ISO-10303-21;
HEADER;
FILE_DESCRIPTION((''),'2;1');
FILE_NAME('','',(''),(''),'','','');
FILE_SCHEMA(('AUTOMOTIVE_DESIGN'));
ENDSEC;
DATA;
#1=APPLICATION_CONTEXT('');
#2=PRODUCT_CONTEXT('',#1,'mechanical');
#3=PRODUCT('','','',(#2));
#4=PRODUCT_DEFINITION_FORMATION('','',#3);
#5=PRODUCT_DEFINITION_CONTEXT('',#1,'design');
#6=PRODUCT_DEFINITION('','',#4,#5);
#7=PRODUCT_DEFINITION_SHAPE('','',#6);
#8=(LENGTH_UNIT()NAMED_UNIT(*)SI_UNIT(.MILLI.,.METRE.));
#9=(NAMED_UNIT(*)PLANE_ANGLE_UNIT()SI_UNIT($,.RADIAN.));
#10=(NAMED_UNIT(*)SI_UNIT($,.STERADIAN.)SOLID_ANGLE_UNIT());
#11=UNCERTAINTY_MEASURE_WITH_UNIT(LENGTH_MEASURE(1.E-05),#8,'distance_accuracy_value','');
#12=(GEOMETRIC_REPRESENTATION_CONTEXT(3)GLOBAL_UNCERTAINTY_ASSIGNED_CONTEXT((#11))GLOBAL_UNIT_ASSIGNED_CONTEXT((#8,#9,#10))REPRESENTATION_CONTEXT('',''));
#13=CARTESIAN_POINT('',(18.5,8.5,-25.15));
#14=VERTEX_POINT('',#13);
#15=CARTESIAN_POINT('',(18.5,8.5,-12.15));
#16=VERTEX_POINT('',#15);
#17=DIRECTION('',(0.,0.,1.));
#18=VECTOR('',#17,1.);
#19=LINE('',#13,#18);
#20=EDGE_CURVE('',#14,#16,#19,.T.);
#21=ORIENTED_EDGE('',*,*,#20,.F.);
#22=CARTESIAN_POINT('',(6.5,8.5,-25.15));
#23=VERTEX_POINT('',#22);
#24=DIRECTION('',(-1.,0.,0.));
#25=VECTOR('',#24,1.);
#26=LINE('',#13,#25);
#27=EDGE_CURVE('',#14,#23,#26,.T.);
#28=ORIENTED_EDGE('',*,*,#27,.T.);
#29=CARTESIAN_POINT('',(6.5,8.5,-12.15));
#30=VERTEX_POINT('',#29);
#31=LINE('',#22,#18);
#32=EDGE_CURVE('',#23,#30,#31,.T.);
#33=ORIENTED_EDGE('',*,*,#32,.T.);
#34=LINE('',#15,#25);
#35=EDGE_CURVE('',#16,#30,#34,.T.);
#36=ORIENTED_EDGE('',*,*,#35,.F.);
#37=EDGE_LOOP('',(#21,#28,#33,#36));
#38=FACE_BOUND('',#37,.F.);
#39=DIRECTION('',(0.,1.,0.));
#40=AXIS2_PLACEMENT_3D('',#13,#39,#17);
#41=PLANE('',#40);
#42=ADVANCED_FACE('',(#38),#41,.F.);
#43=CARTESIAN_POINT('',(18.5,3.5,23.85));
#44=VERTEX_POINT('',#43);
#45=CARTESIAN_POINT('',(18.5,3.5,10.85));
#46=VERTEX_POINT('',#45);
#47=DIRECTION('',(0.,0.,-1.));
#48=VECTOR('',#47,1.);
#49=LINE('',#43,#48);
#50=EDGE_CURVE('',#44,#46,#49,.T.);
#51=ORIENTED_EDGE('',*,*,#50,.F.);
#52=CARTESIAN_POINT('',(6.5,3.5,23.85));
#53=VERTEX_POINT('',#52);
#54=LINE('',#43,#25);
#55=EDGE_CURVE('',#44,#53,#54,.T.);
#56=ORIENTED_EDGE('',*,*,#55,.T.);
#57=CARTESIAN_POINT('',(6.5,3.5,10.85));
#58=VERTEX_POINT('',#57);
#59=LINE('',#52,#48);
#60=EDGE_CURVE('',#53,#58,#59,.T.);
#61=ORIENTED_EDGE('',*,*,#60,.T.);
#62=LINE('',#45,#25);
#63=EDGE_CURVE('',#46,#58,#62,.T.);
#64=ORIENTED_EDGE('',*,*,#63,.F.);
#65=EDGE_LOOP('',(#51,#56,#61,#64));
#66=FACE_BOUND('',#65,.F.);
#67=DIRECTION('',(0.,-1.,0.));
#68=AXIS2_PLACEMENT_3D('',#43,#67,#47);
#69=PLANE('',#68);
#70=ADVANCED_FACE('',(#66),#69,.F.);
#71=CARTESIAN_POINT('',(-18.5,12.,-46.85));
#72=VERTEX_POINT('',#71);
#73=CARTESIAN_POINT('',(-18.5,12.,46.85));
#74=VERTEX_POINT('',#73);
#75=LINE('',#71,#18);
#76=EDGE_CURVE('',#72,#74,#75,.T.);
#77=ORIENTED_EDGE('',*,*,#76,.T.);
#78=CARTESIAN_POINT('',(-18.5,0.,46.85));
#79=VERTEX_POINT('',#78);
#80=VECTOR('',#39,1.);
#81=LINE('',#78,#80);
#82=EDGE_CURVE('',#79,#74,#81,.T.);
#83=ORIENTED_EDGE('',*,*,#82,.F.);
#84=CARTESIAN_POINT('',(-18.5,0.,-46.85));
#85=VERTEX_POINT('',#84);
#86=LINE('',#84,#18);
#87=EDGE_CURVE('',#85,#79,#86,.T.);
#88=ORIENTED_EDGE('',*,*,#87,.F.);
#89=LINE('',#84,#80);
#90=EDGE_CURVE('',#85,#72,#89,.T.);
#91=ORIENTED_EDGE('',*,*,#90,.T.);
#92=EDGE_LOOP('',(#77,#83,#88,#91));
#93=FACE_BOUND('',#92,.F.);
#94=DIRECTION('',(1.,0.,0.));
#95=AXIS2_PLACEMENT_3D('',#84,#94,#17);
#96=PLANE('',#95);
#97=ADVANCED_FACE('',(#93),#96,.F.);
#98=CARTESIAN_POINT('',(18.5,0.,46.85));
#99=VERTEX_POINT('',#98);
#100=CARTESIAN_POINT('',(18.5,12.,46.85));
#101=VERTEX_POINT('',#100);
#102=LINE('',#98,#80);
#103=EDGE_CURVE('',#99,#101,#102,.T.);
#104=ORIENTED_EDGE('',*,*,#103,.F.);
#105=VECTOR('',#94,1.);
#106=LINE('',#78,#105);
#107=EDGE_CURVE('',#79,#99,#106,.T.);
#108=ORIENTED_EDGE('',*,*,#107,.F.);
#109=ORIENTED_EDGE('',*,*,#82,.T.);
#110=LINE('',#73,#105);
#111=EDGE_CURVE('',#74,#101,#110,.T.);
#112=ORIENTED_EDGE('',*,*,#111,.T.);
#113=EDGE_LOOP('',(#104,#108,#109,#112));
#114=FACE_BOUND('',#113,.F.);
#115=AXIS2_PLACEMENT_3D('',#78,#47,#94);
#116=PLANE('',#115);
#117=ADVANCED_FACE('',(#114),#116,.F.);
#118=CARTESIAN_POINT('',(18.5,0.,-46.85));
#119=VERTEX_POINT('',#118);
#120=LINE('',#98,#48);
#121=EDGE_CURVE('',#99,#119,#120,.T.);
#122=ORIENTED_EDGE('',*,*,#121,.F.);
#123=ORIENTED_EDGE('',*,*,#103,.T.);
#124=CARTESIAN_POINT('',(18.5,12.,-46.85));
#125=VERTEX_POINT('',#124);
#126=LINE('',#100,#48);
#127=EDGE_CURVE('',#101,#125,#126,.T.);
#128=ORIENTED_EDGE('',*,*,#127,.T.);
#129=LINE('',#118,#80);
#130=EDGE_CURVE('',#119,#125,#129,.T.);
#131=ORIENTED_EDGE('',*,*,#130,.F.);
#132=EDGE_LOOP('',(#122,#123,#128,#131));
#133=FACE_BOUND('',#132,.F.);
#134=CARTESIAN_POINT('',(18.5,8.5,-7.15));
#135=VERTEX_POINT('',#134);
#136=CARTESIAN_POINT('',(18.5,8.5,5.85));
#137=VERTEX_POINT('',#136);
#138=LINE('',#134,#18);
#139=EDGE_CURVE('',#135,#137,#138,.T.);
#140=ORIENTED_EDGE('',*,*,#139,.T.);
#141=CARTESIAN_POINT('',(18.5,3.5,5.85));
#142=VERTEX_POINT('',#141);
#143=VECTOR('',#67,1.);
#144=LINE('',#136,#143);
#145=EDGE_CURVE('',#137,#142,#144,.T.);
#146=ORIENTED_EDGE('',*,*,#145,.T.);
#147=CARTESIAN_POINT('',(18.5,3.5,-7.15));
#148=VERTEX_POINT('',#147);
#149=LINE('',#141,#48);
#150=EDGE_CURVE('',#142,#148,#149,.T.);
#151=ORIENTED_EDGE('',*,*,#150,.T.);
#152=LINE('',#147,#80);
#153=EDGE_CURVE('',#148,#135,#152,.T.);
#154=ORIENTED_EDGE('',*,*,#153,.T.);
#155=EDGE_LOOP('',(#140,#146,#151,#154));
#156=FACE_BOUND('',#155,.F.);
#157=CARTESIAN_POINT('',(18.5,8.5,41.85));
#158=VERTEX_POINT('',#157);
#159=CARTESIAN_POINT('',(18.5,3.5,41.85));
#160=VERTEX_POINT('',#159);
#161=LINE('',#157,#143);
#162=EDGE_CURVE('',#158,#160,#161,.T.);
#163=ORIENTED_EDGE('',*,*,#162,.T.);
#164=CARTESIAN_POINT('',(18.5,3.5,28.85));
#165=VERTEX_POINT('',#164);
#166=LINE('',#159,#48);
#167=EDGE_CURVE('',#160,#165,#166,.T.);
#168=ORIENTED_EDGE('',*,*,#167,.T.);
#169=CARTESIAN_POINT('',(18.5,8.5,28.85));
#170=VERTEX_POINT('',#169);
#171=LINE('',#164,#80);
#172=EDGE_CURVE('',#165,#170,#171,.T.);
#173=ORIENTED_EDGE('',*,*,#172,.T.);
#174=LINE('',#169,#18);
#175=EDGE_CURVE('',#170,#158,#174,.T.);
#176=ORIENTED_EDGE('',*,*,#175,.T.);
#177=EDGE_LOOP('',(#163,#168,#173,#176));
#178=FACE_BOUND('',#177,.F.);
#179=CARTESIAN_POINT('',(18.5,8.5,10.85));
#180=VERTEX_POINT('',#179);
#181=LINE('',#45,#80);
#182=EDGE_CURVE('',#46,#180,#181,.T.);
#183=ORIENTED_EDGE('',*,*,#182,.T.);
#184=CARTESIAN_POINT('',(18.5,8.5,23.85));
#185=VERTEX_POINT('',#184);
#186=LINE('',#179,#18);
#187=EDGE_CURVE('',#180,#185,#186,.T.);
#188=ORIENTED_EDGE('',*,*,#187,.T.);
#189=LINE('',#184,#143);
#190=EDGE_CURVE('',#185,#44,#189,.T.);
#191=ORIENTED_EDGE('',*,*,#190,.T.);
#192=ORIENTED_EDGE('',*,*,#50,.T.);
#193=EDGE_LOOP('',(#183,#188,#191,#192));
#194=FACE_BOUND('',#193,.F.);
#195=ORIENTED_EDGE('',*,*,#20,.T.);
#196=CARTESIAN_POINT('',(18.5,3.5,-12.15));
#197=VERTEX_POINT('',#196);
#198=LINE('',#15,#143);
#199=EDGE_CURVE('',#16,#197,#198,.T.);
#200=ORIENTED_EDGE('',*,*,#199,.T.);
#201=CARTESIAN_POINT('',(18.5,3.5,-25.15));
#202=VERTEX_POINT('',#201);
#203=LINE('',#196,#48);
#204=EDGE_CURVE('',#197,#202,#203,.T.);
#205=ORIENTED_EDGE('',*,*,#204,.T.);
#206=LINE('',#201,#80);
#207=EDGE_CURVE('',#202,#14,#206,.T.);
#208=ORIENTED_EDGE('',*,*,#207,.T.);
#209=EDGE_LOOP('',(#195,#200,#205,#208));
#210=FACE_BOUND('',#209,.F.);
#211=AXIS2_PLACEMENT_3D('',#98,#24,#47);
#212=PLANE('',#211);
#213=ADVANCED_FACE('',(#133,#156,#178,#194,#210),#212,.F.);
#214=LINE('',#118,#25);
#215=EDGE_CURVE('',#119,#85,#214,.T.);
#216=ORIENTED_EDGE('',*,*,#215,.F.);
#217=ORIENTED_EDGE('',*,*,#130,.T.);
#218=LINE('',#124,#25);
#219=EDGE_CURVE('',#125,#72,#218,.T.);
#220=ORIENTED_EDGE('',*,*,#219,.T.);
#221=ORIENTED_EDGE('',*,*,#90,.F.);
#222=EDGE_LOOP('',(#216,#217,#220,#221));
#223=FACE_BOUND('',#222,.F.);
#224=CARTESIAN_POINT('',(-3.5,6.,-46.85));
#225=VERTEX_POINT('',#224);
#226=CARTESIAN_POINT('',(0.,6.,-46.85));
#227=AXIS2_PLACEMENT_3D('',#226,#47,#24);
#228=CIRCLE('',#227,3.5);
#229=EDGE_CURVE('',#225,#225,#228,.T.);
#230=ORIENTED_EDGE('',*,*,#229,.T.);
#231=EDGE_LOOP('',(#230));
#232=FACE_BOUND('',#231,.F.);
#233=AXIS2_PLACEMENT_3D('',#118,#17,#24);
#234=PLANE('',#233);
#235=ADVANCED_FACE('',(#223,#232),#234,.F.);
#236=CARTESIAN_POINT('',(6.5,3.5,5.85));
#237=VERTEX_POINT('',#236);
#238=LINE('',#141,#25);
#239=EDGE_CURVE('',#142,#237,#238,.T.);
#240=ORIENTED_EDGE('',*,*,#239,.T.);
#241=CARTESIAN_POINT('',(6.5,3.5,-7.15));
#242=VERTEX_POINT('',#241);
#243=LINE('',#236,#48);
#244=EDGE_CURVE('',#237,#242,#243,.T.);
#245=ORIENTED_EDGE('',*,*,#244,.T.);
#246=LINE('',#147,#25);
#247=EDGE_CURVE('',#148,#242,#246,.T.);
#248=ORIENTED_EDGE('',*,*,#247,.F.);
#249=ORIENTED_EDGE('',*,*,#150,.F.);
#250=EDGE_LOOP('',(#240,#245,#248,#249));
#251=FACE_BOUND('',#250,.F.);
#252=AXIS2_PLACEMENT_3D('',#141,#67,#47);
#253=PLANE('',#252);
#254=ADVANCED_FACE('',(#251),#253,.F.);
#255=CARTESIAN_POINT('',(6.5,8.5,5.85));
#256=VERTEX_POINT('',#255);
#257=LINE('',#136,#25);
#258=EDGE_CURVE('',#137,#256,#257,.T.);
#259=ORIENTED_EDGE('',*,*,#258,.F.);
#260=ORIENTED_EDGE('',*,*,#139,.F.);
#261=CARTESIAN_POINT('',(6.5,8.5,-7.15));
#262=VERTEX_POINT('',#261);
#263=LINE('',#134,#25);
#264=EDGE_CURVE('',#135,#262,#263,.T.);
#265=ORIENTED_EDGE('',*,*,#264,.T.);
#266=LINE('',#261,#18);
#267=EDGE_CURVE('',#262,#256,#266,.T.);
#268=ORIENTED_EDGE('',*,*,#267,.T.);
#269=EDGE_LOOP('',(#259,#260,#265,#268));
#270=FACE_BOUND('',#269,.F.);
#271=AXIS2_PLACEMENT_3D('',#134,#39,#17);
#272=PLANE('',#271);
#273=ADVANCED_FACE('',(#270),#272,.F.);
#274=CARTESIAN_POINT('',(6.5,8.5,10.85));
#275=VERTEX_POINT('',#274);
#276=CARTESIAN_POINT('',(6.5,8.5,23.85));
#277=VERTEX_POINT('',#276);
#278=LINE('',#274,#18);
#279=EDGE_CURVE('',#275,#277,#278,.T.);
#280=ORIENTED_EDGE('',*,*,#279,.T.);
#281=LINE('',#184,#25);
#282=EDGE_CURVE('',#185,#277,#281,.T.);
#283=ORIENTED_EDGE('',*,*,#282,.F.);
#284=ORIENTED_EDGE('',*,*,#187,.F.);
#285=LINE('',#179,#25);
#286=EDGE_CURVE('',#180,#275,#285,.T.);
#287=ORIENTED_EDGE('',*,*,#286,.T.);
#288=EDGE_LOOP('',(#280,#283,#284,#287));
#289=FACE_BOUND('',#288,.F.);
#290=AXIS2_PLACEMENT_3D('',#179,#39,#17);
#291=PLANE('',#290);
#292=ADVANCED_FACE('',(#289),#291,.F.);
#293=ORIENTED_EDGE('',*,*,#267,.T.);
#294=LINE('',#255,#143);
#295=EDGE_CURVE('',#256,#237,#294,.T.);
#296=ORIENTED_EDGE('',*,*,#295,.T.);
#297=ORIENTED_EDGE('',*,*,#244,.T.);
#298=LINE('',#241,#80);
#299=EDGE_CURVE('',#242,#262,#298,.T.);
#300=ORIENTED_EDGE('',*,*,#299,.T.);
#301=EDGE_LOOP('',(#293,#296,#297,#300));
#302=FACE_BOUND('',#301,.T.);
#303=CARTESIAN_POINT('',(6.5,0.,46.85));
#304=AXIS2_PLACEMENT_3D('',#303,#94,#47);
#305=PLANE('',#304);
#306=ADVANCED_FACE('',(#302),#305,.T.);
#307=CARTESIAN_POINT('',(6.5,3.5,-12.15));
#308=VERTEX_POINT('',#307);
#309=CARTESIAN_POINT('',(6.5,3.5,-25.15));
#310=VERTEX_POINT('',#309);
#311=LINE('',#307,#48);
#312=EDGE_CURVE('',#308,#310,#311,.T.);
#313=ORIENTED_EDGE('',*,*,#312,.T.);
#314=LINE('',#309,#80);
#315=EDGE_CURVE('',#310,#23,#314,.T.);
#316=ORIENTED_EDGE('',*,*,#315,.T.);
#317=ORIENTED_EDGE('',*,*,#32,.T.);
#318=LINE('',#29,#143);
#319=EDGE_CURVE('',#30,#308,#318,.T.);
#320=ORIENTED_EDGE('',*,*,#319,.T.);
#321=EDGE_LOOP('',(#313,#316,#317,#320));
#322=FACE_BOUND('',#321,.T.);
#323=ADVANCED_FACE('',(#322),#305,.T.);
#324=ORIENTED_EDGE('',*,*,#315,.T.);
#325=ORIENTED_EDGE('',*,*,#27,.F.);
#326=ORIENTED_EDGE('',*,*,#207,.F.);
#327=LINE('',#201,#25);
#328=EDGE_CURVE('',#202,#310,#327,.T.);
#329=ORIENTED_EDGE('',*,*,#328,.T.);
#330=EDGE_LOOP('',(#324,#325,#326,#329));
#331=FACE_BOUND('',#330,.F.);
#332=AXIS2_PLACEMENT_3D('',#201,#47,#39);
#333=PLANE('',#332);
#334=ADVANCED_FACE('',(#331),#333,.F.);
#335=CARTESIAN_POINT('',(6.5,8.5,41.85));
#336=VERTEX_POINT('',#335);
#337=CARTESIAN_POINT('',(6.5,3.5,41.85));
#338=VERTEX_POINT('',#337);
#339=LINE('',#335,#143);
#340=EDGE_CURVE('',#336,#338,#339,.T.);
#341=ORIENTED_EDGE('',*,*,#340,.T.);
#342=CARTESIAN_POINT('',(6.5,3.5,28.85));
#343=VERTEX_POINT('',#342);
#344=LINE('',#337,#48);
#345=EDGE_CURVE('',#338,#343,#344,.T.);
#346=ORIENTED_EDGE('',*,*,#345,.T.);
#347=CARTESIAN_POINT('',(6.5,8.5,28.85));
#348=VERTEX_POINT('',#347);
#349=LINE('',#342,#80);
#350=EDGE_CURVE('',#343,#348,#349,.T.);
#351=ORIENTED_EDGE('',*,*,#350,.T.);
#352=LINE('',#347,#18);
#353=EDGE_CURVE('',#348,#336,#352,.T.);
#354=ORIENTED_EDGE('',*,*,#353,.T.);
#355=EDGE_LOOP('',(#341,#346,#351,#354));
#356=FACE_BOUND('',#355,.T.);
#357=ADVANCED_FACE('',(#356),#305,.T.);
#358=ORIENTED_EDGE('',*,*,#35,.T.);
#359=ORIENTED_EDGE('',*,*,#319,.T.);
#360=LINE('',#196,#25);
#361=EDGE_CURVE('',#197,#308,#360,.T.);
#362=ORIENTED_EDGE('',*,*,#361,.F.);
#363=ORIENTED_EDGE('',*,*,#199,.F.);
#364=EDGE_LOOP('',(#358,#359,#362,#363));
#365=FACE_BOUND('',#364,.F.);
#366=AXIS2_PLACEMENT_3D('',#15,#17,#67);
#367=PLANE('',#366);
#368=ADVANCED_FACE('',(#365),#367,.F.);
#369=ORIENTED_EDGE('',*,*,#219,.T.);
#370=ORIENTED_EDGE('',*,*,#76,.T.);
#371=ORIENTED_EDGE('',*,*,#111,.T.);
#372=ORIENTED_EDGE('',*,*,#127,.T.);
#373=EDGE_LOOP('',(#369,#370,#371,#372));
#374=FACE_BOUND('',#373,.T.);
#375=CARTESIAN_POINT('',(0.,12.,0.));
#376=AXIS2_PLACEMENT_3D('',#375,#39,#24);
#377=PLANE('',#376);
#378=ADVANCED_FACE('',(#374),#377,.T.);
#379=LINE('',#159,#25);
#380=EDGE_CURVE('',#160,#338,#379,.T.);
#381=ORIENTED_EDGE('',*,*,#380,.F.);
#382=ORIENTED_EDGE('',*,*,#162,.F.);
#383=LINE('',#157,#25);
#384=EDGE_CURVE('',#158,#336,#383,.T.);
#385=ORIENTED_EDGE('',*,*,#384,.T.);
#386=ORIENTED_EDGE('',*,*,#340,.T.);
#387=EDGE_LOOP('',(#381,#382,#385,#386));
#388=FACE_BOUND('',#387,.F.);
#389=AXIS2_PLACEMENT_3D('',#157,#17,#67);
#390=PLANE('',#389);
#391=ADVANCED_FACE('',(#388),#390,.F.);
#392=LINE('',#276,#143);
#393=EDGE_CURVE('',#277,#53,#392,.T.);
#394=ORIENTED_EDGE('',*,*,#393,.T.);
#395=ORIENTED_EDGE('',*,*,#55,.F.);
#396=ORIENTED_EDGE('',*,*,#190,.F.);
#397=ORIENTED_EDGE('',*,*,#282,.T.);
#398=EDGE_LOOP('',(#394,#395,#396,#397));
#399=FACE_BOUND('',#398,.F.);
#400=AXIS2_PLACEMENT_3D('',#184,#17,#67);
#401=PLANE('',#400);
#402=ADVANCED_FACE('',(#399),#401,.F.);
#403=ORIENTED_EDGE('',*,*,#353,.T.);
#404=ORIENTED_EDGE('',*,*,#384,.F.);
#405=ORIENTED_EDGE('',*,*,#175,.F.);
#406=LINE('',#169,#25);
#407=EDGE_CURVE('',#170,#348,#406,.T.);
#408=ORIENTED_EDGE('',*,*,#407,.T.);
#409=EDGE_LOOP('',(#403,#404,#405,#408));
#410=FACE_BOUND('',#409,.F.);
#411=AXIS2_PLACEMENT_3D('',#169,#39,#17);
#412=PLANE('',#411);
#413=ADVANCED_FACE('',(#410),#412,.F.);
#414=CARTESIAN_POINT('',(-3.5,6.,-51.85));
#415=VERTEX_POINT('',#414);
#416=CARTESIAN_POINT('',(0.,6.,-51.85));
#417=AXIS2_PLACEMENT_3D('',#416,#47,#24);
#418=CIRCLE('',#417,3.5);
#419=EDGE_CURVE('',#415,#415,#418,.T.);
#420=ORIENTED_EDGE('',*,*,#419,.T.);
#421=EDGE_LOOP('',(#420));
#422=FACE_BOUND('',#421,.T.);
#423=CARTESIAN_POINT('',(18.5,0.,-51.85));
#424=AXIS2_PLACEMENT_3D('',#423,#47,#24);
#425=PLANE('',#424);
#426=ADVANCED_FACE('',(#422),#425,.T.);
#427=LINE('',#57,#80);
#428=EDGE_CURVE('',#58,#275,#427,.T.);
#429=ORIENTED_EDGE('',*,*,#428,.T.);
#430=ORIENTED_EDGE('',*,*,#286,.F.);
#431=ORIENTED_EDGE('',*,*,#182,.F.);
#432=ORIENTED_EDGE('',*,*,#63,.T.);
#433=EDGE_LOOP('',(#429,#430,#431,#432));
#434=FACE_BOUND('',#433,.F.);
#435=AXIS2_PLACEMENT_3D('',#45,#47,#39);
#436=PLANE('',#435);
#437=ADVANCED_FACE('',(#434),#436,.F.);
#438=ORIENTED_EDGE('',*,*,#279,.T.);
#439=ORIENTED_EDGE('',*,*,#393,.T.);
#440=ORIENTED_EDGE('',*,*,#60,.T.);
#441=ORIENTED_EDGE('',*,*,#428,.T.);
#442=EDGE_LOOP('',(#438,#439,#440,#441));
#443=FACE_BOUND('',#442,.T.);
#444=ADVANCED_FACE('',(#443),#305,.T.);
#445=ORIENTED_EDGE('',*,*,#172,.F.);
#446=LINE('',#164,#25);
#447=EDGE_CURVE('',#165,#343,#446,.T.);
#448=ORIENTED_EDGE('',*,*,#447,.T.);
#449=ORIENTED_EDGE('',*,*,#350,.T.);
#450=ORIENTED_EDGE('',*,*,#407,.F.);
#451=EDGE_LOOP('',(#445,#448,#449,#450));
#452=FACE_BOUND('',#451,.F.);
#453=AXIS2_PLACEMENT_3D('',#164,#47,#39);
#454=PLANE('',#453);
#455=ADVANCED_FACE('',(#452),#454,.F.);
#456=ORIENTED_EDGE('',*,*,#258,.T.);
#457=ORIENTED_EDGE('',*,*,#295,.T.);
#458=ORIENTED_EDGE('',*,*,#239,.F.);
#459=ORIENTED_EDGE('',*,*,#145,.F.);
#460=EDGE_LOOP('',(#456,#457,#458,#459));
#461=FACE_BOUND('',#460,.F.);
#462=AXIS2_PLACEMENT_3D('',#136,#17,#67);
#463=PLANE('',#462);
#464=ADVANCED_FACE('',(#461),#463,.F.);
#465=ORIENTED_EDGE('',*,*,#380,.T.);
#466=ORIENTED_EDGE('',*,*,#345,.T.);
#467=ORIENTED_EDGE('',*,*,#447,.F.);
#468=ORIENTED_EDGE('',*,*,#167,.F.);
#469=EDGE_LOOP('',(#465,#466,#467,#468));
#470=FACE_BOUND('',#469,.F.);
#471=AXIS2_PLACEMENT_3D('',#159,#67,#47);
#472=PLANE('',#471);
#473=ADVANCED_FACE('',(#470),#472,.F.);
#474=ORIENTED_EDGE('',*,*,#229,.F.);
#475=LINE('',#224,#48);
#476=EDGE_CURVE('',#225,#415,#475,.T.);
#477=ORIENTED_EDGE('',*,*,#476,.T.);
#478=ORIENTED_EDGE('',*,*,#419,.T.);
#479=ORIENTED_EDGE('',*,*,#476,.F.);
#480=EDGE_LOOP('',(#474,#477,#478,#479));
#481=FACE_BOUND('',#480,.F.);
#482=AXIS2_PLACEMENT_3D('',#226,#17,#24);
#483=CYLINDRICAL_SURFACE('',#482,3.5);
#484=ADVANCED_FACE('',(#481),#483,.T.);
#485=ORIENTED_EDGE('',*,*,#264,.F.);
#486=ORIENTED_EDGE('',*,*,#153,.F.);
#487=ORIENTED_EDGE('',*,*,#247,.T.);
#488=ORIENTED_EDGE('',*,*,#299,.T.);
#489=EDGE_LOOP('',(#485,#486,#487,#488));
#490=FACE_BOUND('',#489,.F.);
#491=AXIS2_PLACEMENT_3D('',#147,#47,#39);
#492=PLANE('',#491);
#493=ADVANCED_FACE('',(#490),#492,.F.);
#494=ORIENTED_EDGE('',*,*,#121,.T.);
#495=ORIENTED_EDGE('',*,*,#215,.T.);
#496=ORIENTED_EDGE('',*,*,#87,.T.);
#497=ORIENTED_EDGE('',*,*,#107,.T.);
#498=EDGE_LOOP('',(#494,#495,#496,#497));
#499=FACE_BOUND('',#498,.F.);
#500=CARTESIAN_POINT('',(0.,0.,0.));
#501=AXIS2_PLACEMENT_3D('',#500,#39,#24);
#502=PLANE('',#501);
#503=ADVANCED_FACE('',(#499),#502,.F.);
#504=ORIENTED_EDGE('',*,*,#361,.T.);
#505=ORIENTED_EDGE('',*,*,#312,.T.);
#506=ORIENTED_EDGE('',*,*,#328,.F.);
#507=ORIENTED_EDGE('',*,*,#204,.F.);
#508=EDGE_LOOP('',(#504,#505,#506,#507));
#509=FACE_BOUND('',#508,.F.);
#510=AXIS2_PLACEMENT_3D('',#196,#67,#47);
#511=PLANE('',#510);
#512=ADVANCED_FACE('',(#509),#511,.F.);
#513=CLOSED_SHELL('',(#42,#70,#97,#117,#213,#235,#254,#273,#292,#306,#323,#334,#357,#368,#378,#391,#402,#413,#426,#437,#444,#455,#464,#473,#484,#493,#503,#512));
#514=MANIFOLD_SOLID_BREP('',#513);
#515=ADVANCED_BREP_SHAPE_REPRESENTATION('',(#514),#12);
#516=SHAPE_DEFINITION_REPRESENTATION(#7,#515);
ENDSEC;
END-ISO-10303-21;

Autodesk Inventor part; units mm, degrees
ref_plane "YZ Plane" through (0, 0, 0) normal (1, 0, 0) x (0, 1, 0)
ref_plane "XZ Plane" through (0, 0, 0) normal (0, 1, 0) x (-1, 0, 0)
ref_plane "XY Plane" through (0, 0, 0) normal (0, 0, 1) x (1, 0, 0)
sketch "Sketch1" plane through (0, 0, 0) normal (0, 1, 0) x (-1, 0, 0)
  line L0 (18.5, 46.85) -> (-18.5, 46.85)
  line L1 (-18.5, 46.85) -> (-18.5, -46.85)
  line L2 (-18.5, -46.85) -> (18.5, -46.85)
  line L3 (18.5, -46.85) -> (18.5, 46.85)
  line L4 (18.5, 46.85) -> (-18.5, -46.85) construction
  line L5 (-18.5, 46.85) -> (18.5, -46.85) construction
  point P0 (0, 0)
  dimension "d0" = 93.7
  dimension "d1" = 37
extrude "Extrusion1" add sketch "Sketch1" along normal blind 12
sketch "Sketch2" plane through (18.5, 0, 46.85) normal (1, 0, 0) x (0, 0, -1)
  line L0 (5, 3.5) -> (18, 3.5)
  line L1 (18, 3.5) -> (18, 8.5)
  line L2 (18, 8.5) -> (5, 8.5)
  line L3 (5, 8.5) -> (5, 3.5)
  line L4 (5, 3.5) -> (18, 8.5) construction
  line L5 (18, 3.5) -> (5, 8.5) construction
  line L6 (23, 3.5) -> (36, 3.5)
  line L7 (36, 3.5) -> (36, 8.5)
  line L8 (36, 8.5) -> (23, 8.5)
  line L9 (23, 8.5) -> (23, 3.5)
  line L10 (23, 3.5) -> (36, 8.5) construction
  line L11 (36, 3.5) -> (23, 8.5) construction
  line L12 (41, 3.5) -> (54, 3.5)
  line L13 (54, 3.5) -> (54, 8.5)
  line L14 (54, 8.5) -> (41, 8.5)
  line L15 (41, 8.5) -> (41, 3.5)
  line L16 (41, 3.5) -> (54, 8.5) construction
  line L17 (54, 3.5) -> (41, 8.5) construction
  line L18 (59, 3.5) -> (72, 3.5)
  line L19 (72, 3.5) -> (72, 8.5)
  line L20 (72, 8.5) -> (59, 8.5)
  line L21 (59, 8.5) -> (59, 3.5)
  line L22 (59, 3.5) -> (72, 8.5) construction
  line L23 (72, 3.5) -> (59, 8.5) construction
  line L24 (0, 0) -> (0, 12) projected
  point P0 (46.85, 0)
  point P1 (11.5, 6)
  point P2 (29.5, 6)
  point P3 (47.5, 6)
  point P4 (65.5, 6)
  point P5 (0, 6)
  point P6 (54, 6)
  dimension "d4" = 5
  dimension "d5" = 5
  dimension "d6" = 5
  dimension "d7" = 5
  dimension "d8" = 13
  dimension "d9" = 5
extrude "Extrusion2" cut sketch "Sketch2" against normal blind 12
sketch "Sketch3" plane through (18.5, 0, -46.85) normal (0, 0, -1) x (-1, 0, 0)
  circle A0 centre (18.5, 6) radius 3.5
  point P0 (18.5, 0)
  dimension "d12" = 7
extrude "Extrusion3" add sketch "Sketch3" along normal blind 5
equation "\"d5\" = d4"
equation "\"d6\" = d5"
equation "\"d7\" = d6"
properties part number "USBextender"
